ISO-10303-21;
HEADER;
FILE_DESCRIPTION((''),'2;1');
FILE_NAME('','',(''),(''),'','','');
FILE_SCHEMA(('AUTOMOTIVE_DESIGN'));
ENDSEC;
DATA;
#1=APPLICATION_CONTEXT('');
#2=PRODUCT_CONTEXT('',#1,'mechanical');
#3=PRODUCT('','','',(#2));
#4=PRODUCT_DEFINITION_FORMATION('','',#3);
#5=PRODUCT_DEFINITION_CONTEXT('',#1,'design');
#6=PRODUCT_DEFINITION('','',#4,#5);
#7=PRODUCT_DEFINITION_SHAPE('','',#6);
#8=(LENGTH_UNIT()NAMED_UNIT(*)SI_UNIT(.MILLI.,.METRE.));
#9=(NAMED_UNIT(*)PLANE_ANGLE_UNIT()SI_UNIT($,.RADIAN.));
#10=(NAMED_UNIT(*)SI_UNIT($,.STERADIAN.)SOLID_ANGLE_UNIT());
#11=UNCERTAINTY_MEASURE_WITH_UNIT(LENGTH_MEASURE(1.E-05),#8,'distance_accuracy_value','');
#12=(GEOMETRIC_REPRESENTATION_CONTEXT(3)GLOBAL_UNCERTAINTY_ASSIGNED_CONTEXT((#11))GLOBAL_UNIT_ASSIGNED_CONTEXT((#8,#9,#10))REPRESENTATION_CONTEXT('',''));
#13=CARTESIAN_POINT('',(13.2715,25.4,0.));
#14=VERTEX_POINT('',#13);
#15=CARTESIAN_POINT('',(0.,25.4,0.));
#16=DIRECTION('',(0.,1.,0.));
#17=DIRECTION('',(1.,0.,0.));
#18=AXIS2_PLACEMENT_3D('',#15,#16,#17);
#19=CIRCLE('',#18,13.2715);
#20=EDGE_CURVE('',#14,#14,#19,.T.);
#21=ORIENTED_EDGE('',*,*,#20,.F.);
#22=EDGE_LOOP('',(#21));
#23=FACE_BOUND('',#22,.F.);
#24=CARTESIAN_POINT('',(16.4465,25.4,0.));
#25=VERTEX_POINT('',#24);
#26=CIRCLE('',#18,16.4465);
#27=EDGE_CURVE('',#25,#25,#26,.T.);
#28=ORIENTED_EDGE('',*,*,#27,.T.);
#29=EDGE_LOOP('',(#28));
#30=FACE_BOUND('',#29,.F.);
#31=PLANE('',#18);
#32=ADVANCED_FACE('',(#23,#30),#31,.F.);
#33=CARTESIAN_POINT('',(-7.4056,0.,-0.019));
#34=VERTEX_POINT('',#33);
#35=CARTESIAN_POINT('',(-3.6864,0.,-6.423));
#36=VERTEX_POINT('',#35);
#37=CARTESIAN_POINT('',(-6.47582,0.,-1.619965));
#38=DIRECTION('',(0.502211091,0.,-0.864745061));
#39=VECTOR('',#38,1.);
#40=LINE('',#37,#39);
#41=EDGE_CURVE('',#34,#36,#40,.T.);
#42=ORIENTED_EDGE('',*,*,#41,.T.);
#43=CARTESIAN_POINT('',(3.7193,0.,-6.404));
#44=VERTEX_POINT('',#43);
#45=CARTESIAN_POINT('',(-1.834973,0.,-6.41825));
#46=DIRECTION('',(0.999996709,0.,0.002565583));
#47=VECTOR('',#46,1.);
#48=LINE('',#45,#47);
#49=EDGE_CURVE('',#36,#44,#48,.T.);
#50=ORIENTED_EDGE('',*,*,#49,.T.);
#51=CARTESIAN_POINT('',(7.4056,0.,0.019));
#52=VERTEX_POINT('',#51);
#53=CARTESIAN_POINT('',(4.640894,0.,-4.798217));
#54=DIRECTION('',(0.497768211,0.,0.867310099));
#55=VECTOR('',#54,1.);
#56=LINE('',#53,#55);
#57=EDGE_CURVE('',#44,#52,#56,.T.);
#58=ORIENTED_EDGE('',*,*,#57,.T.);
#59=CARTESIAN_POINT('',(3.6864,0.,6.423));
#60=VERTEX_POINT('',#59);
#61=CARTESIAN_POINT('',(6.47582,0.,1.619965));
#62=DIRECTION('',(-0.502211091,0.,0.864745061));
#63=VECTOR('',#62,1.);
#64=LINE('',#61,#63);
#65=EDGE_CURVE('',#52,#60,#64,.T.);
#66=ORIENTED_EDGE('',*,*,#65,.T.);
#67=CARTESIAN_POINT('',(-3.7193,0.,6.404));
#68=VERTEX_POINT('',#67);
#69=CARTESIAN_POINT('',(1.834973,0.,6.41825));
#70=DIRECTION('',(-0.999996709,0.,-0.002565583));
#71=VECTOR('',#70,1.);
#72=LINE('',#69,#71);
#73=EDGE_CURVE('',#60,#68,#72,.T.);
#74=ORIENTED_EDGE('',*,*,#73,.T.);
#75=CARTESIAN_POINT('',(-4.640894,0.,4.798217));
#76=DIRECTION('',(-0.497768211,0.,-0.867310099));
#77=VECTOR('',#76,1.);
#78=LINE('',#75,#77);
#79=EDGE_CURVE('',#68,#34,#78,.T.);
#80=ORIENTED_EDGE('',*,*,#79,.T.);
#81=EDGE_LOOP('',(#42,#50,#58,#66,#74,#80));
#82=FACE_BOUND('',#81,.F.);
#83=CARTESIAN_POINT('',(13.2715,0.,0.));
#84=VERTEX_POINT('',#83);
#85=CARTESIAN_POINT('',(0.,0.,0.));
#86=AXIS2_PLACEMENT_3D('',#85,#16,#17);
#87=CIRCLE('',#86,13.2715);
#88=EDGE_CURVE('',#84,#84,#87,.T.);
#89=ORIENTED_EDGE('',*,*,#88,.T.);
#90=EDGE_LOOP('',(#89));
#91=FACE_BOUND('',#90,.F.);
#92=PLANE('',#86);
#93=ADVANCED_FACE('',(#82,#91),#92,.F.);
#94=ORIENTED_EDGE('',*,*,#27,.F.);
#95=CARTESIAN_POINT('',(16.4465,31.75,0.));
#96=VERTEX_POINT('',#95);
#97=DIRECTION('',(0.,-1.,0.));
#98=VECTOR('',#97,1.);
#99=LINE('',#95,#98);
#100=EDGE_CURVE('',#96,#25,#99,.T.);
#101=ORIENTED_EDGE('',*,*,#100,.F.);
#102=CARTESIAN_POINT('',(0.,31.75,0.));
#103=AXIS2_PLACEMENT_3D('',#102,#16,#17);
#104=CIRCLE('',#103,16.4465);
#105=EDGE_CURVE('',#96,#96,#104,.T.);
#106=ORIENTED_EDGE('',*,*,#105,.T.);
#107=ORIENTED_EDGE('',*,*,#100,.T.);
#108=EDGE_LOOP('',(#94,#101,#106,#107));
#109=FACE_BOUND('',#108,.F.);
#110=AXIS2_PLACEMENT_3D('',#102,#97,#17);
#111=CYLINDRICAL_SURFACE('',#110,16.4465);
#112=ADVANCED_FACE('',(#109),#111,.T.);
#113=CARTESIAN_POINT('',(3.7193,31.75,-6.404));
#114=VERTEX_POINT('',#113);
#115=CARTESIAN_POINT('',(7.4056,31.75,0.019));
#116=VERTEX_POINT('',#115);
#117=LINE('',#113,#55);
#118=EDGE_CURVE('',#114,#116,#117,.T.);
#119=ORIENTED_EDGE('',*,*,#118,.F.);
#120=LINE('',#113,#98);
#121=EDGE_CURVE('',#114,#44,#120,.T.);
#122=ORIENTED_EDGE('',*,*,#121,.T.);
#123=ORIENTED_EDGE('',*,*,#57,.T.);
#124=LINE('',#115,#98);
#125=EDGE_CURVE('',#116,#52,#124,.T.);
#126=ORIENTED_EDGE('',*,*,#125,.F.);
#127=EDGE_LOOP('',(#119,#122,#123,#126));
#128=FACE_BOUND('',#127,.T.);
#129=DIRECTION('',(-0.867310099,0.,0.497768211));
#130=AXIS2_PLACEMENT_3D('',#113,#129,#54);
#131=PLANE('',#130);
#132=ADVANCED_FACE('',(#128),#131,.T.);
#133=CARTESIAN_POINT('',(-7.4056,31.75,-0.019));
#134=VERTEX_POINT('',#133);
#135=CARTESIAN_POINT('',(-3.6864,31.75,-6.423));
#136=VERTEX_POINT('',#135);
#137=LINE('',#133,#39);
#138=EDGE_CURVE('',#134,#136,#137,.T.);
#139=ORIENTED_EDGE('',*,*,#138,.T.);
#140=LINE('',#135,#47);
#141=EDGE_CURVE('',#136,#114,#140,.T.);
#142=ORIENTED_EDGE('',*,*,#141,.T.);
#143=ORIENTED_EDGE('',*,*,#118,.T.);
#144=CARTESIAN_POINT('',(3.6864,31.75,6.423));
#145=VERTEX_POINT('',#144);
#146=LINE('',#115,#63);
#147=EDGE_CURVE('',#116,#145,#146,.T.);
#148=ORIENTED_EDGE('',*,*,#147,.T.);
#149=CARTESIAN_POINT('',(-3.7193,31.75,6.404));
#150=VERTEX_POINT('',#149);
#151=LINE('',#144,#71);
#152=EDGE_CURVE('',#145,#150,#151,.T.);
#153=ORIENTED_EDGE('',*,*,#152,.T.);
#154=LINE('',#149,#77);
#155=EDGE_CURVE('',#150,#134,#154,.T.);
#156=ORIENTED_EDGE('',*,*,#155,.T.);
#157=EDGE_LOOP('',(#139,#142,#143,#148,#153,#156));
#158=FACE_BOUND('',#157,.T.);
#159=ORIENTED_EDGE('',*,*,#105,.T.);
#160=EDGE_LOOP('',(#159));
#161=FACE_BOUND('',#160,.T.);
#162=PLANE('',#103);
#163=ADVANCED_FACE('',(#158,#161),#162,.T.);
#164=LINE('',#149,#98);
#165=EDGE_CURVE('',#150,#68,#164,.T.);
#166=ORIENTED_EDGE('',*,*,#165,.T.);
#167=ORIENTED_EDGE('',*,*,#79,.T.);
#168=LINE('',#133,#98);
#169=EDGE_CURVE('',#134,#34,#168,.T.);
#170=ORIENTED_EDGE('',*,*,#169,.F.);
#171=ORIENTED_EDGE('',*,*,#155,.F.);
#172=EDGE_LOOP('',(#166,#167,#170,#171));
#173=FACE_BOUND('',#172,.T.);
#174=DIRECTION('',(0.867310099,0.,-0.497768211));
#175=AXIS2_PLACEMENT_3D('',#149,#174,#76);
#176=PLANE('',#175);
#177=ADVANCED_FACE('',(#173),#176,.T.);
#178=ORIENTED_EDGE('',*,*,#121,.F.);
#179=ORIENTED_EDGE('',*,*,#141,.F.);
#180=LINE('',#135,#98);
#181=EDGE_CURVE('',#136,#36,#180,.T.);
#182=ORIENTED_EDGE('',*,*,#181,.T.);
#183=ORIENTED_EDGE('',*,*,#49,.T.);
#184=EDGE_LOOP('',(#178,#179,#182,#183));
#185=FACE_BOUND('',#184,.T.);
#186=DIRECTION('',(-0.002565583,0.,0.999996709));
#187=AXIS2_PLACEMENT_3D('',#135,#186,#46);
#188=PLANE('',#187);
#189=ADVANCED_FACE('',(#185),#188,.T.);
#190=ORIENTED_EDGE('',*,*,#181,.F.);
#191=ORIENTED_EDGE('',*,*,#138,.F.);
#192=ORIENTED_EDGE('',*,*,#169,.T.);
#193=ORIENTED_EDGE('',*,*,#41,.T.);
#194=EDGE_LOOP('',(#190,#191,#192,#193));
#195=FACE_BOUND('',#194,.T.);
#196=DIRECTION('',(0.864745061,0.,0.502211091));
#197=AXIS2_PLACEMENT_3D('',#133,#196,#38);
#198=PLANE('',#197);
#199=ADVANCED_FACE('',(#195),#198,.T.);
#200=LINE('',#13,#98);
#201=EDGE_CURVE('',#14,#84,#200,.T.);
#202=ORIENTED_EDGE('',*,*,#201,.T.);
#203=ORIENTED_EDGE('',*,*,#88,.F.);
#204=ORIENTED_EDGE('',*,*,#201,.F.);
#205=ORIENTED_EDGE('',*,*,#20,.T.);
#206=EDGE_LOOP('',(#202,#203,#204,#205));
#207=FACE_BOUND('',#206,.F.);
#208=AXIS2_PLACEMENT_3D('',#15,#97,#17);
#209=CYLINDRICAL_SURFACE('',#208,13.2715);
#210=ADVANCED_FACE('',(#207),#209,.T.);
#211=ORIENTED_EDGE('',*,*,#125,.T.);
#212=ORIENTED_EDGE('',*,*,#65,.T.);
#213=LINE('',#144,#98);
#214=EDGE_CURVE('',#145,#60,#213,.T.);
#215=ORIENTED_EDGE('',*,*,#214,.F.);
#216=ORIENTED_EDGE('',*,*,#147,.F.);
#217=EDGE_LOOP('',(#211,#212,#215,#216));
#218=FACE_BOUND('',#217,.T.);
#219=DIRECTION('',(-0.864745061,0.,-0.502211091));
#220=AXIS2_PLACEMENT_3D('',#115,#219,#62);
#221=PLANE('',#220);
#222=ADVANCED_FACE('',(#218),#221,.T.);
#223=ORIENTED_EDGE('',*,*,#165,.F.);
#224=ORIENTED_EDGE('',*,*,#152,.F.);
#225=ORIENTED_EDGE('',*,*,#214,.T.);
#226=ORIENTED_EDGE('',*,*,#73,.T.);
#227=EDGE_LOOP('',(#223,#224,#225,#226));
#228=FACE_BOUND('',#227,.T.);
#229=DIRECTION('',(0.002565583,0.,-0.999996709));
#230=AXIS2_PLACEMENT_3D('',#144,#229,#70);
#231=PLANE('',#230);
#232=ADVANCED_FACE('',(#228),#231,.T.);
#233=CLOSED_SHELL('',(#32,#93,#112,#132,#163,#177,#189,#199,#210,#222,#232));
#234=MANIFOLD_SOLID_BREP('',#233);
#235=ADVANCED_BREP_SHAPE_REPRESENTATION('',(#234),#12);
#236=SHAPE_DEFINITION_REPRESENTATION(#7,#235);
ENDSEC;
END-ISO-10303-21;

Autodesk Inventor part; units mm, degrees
ref_plane "YZ Plane" through (0, 0, 0) normal (1, 0, 0) x (0, 1, 0)
ref_plane "XZ Plane" through (0, 0, 0) normal (0, 1, 0) x (-1, 0, 0)
ref_plane "XY Plane" through (0, 0, 0) normal (0, 0, 1) x (1, 0, 0)
sketch "Sketch1" plane through (0, 0, 0) normal (0, 0, 1) x (1, 0, 0)
  line L0 (0, 0) -> (0, 31.75)
  line L1 (0, 31.75) -> (0.7288, 31.75)
  line L2 (16.4465, 31.75) -> (16.4465, 25.4)
  line L3 (16.4465, 25.4) -> (13.2715, 25.4)
  line L4 (13.2715, 25.4) -> (13.2715, 0)
  line L5 (13.2715, 0) -> (0, 0)
  line L6 (16.4465, 31.75) -> (0.7288, 31.75)
  dimension "d0" = 13.2715
  dimension "d1" = 31.75
  dimension "d2" = 25.4
  dimension "d4" = 3.175
revolve "Revolution1" add sketch "Sketch1" angle 360 about axis through (0, 0, 0) along (0, 1, 0)
sketch "Sketch2" plane through (0, 31.75, 0) normal (0, 1, 0) x (1, 0, 0)
  circle A0 centre (0, 0) radius 6.4135 construction
  line L0 (7.4056, -0.019) -> (3.6864, -6.423)
  line L1 (3.6864, -6.423) -> (-3.7193, -6.404)
  line L2 (-3.7193, -6.404) -> (-7.4056, 0.019)
  line L3 (-7.4056, 0.019) -> (-3.6864, 6.423)
  line L4 (-3.6864, 6.423) -> (3.7193, 6.404)
  line L5 (3.7193, 6.404) -> (7.4056, -0.019)
  point P0 (5.5625, 3.1925)
  dimension "d5" = 12.827
extrude "Extrusion1" cut sketch "Sketch2" against normal through all
properties part number "Climber Axel End Cap"
